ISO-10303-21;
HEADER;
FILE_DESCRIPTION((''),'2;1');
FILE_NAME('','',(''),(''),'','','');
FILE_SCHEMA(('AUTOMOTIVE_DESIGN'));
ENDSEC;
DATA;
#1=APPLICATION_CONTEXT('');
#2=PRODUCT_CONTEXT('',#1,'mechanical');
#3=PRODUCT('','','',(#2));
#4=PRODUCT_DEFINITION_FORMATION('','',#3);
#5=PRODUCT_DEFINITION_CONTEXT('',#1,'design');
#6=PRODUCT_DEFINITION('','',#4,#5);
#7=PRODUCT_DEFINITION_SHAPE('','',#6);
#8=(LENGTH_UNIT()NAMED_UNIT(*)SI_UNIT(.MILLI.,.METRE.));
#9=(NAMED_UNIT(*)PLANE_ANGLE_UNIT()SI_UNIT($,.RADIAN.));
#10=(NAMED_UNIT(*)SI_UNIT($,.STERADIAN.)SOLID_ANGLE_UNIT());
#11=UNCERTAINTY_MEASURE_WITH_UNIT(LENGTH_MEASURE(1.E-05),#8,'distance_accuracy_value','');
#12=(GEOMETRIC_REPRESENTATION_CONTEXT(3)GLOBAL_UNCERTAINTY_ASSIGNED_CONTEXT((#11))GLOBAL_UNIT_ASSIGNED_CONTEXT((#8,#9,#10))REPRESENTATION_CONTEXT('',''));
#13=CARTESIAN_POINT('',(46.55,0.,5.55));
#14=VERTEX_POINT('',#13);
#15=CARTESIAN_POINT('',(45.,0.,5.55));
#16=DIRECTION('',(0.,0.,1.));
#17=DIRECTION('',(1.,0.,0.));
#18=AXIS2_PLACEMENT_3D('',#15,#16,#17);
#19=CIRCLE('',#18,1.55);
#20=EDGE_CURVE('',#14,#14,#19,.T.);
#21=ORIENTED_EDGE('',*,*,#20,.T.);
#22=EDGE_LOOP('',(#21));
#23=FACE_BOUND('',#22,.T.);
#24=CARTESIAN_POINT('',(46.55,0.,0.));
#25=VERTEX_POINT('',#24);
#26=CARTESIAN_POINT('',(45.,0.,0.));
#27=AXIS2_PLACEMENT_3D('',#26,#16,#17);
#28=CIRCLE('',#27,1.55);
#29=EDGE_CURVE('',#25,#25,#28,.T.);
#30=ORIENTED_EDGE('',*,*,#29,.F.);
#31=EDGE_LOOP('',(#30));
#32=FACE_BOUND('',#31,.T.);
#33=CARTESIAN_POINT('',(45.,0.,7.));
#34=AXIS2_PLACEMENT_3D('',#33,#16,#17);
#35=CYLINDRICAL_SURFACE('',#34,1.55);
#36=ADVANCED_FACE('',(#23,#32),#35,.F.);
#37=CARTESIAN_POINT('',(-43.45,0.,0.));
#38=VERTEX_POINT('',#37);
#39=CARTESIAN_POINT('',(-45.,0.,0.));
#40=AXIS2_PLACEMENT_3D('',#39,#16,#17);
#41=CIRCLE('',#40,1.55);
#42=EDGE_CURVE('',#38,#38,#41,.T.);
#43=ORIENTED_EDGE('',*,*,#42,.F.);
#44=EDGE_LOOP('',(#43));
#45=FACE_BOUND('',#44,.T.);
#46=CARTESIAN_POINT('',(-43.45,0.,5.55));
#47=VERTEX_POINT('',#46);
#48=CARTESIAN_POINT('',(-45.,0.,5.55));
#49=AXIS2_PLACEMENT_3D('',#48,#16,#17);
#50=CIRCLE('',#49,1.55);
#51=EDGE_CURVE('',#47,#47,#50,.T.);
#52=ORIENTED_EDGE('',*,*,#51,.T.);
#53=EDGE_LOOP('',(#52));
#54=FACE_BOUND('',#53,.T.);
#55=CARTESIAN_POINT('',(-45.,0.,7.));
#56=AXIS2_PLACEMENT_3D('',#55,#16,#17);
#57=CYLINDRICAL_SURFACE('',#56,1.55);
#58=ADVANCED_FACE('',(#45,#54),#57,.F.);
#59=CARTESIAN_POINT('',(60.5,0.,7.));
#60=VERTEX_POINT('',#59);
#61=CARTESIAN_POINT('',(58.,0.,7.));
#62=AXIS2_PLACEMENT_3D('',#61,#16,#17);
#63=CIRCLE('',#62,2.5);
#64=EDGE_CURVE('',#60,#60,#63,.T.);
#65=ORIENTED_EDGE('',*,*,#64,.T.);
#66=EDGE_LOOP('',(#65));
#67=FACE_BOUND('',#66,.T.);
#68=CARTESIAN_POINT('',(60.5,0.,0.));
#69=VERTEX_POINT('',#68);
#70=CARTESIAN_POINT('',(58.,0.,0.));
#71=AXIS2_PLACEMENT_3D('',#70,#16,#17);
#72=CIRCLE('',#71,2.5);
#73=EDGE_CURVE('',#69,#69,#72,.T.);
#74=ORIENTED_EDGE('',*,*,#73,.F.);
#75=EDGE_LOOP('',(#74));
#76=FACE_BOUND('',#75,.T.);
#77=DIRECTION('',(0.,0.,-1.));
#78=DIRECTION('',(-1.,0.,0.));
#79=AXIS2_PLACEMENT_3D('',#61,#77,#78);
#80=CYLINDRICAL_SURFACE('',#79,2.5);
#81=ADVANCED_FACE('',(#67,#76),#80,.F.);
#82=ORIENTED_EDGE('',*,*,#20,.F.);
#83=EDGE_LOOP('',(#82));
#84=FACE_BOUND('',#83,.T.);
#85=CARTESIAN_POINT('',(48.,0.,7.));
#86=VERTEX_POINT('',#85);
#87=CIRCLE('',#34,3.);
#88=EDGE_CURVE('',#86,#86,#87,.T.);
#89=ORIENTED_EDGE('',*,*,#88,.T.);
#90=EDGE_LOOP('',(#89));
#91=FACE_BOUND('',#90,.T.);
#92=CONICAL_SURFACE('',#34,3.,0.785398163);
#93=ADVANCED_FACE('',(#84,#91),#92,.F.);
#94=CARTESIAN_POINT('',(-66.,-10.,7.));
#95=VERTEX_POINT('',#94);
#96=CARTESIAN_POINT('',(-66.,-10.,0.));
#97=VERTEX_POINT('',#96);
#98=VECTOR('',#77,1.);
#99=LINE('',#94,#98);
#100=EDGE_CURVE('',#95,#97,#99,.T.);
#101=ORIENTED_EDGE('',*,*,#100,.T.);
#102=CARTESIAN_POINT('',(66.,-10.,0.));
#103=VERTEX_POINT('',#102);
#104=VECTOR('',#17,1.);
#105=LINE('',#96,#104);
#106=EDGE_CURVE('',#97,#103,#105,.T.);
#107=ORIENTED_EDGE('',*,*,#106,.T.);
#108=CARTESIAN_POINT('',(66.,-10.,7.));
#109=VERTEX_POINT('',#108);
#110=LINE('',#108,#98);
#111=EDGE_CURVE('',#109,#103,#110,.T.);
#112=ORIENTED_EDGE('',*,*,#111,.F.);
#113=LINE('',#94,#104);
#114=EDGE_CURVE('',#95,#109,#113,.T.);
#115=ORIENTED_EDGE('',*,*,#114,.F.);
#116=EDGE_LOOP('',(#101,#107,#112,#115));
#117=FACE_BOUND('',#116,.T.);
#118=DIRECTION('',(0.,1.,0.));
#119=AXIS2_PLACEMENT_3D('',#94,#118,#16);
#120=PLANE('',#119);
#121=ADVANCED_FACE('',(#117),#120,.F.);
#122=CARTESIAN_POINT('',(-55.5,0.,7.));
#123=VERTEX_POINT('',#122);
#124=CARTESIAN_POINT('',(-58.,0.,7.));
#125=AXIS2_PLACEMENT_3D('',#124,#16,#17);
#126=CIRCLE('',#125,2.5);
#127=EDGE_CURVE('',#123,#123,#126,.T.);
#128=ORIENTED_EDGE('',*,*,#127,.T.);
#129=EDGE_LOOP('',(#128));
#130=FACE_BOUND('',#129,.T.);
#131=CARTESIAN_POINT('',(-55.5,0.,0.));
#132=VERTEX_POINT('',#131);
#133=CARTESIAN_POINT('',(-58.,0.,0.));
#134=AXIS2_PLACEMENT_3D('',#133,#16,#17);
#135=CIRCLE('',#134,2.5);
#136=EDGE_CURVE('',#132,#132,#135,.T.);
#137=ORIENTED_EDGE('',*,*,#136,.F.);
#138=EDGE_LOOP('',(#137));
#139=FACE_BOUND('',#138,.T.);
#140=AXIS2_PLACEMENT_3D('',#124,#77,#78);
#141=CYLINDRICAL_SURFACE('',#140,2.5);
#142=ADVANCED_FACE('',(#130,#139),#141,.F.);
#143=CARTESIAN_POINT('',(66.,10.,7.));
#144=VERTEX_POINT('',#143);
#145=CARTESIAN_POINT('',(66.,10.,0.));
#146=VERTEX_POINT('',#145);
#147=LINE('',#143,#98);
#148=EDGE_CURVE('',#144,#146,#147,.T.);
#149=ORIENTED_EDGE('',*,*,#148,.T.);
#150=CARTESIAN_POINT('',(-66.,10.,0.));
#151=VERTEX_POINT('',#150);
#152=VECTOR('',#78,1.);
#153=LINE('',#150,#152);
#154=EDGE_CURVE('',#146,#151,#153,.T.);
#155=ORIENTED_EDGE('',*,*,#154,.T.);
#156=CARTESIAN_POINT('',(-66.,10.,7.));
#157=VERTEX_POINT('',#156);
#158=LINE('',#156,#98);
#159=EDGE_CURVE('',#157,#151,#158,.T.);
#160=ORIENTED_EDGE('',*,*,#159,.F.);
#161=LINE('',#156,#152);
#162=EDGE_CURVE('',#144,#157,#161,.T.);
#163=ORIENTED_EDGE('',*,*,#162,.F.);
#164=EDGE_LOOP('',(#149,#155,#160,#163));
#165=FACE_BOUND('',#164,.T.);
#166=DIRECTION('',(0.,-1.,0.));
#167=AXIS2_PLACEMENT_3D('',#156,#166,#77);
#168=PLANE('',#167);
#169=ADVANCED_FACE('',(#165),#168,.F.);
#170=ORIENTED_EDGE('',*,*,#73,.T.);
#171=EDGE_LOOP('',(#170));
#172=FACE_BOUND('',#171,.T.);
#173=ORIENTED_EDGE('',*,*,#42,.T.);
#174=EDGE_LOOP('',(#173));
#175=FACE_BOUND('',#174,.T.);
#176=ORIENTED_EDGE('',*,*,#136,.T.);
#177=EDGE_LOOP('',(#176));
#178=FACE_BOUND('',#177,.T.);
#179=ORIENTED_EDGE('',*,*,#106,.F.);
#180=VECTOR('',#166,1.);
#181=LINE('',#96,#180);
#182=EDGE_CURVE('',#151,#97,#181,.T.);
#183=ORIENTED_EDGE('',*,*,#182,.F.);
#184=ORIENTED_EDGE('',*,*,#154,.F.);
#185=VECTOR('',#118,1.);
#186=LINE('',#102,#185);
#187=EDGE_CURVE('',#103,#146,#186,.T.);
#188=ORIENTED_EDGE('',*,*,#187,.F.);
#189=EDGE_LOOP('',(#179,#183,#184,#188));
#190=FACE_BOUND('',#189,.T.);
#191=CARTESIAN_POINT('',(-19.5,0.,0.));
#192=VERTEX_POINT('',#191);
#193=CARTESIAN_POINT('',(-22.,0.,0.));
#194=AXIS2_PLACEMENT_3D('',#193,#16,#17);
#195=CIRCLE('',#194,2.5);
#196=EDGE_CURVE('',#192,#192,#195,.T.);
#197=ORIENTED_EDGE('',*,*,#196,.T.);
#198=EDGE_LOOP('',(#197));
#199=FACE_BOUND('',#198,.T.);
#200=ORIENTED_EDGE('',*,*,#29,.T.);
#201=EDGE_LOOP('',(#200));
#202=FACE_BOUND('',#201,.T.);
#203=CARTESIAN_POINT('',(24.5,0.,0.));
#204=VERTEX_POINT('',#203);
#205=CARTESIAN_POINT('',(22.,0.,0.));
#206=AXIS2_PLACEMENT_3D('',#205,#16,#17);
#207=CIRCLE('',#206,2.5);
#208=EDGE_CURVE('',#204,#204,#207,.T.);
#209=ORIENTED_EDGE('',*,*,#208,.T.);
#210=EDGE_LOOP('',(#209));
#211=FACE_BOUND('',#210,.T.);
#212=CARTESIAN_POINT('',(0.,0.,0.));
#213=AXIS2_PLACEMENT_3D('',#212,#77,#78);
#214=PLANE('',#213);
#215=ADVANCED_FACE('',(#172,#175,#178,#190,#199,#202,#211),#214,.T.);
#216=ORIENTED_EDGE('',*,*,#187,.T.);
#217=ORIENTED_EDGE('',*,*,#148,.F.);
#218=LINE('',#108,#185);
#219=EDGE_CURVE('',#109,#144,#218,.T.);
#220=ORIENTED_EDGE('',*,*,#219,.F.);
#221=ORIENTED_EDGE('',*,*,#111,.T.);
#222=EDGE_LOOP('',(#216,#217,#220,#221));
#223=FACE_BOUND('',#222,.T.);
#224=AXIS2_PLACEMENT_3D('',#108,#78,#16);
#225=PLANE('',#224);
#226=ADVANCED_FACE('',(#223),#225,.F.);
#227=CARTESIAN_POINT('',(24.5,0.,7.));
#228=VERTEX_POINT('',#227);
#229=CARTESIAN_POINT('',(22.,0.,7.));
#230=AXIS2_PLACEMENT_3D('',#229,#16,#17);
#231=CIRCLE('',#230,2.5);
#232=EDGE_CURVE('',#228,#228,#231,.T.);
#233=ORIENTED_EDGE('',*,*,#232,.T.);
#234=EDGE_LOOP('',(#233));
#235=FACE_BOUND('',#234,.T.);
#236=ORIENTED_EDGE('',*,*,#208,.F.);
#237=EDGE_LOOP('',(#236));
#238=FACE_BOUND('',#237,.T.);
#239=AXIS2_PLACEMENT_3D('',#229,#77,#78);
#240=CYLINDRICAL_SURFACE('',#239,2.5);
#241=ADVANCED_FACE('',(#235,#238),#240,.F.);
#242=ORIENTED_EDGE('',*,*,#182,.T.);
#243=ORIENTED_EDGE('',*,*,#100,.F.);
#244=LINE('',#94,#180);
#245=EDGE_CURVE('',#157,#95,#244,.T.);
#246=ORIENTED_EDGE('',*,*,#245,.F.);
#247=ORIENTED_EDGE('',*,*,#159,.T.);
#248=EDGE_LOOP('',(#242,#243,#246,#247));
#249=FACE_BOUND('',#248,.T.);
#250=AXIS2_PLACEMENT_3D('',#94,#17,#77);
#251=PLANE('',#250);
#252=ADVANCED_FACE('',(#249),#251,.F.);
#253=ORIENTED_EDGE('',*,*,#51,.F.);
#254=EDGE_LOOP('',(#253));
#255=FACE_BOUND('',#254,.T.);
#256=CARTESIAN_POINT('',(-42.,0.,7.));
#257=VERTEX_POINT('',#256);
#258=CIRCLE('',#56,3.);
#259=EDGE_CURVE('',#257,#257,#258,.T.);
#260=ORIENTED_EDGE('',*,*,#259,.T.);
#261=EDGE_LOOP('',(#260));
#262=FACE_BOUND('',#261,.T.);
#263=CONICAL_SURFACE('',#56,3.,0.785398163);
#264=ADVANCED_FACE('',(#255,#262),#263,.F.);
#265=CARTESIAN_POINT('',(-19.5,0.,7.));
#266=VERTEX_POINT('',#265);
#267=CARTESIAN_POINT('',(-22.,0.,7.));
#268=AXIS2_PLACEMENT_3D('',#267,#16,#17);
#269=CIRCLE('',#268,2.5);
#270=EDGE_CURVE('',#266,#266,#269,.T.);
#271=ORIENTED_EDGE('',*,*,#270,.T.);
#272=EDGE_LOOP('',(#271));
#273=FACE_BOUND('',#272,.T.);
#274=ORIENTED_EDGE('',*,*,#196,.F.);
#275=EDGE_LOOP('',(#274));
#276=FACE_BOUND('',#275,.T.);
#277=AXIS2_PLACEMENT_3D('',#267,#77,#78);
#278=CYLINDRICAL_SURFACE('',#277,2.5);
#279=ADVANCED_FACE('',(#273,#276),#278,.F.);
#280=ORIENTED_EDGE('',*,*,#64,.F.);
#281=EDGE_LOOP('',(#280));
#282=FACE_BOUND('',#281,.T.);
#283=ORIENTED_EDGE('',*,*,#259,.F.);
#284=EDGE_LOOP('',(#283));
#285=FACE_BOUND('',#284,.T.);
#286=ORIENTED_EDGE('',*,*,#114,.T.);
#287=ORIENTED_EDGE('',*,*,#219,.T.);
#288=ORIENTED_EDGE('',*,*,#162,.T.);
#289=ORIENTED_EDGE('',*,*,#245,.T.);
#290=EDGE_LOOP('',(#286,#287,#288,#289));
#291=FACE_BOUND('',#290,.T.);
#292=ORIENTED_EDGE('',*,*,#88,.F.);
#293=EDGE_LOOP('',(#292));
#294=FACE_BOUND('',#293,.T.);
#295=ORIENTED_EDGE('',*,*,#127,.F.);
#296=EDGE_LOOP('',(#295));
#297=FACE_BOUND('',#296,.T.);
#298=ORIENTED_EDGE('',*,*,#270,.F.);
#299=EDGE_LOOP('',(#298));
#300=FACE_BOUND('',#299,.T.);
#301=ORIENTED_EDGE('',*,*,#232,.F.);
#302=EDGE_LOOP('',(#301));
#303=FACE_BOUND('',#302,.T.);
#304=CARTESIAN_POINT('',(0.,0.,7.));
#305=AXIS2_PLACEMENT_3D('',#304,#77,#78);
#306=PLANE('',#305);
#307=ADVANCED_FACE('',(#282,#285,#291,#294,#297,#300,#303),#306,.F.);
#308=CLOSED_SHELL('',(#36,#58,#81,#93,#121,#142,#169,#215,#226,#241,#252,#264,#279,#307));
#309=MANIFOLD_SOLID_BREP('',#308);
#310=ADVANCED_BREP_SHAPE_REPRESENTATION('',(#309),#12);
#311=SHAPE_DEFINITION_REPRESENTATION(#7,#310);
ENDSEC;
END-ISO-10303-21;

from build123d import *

# Parameters (mm, degrees)
SKETCH1_W                                           = 132
SKETCH1_H                                           = 20
SKETCH1_R                                           = 1.5
SKETCH1_R_2                                         = 2.5
BOSS_EXTRUDE1_DEPTH                                 = 7
CSK_FOR_M4_COUNTERSUNK_FLAT_HEAD_SCREW1_D           = 3.1
CSK_FOR_M4_COUNTERSUNK_FLAT_HEAD_SCREW1_CSINK_D     = 6
CSK_FOR_M4_COUNTERSUNK_FLAT_HEAD_SCREW1_CSINK_ANGLE = 90


with BuildPart() as part:
    # Sketch1 → Boss-Extrude1 (new body)
    with BuildSketch(Plane.XY):
        Rectangle(SKETCH1_W, SKETCH1_H)
        with Locations((-45, 0)):
            Circle(SKETCH1_R, mode=Mode.SUBTRACT)
        with Locations((45, 0)):
            Circle(SKETCH1_R, mode=Mode.SUBTRACT)
        with Locations((-22, 0)):
            Circle(SKETCH1_R_2, mode=Mode.SUBTRACT)
        with Locations((22, 0)):
            Circle(SKETCH1_R_2, mode=Mode.SUBTRACT)
        with Locations((-58, 0)):
            Circle(SKETCH1_R_2, mode=Mode.SUBTRACT)
        with Locations((58, 0)):
            Circle(SKETCH1_R_2, mode=Mode.SUBTRACT)
    extrude(amount=BOSS_EXTRUDE1_DEPTH)

    # CSK for M4 Countersunk Flat Head Screw1 (through all)
    with Locations(Plane(origin=(-45, 0, 7), x_dir=(1, 0, 0), z_dir=(0, 0, 1))):
        with Locations((0, 0), (90, 0)):
            CounterSinkHole(CSK_FOR_M4_COUNTERSUNK_FLAT_HEAD_SCREW1_D / 2, CSK_FOR_M4_COUNTERSUNK_FLAT_HEAD_SCREW1_CSINK_D / 2, counter_sink_angle=CSK_FOR_M4_COUNTERSUNK_FLAT_HEAD_SCREW1_CSINK_ANGLE)


solid = part.part
